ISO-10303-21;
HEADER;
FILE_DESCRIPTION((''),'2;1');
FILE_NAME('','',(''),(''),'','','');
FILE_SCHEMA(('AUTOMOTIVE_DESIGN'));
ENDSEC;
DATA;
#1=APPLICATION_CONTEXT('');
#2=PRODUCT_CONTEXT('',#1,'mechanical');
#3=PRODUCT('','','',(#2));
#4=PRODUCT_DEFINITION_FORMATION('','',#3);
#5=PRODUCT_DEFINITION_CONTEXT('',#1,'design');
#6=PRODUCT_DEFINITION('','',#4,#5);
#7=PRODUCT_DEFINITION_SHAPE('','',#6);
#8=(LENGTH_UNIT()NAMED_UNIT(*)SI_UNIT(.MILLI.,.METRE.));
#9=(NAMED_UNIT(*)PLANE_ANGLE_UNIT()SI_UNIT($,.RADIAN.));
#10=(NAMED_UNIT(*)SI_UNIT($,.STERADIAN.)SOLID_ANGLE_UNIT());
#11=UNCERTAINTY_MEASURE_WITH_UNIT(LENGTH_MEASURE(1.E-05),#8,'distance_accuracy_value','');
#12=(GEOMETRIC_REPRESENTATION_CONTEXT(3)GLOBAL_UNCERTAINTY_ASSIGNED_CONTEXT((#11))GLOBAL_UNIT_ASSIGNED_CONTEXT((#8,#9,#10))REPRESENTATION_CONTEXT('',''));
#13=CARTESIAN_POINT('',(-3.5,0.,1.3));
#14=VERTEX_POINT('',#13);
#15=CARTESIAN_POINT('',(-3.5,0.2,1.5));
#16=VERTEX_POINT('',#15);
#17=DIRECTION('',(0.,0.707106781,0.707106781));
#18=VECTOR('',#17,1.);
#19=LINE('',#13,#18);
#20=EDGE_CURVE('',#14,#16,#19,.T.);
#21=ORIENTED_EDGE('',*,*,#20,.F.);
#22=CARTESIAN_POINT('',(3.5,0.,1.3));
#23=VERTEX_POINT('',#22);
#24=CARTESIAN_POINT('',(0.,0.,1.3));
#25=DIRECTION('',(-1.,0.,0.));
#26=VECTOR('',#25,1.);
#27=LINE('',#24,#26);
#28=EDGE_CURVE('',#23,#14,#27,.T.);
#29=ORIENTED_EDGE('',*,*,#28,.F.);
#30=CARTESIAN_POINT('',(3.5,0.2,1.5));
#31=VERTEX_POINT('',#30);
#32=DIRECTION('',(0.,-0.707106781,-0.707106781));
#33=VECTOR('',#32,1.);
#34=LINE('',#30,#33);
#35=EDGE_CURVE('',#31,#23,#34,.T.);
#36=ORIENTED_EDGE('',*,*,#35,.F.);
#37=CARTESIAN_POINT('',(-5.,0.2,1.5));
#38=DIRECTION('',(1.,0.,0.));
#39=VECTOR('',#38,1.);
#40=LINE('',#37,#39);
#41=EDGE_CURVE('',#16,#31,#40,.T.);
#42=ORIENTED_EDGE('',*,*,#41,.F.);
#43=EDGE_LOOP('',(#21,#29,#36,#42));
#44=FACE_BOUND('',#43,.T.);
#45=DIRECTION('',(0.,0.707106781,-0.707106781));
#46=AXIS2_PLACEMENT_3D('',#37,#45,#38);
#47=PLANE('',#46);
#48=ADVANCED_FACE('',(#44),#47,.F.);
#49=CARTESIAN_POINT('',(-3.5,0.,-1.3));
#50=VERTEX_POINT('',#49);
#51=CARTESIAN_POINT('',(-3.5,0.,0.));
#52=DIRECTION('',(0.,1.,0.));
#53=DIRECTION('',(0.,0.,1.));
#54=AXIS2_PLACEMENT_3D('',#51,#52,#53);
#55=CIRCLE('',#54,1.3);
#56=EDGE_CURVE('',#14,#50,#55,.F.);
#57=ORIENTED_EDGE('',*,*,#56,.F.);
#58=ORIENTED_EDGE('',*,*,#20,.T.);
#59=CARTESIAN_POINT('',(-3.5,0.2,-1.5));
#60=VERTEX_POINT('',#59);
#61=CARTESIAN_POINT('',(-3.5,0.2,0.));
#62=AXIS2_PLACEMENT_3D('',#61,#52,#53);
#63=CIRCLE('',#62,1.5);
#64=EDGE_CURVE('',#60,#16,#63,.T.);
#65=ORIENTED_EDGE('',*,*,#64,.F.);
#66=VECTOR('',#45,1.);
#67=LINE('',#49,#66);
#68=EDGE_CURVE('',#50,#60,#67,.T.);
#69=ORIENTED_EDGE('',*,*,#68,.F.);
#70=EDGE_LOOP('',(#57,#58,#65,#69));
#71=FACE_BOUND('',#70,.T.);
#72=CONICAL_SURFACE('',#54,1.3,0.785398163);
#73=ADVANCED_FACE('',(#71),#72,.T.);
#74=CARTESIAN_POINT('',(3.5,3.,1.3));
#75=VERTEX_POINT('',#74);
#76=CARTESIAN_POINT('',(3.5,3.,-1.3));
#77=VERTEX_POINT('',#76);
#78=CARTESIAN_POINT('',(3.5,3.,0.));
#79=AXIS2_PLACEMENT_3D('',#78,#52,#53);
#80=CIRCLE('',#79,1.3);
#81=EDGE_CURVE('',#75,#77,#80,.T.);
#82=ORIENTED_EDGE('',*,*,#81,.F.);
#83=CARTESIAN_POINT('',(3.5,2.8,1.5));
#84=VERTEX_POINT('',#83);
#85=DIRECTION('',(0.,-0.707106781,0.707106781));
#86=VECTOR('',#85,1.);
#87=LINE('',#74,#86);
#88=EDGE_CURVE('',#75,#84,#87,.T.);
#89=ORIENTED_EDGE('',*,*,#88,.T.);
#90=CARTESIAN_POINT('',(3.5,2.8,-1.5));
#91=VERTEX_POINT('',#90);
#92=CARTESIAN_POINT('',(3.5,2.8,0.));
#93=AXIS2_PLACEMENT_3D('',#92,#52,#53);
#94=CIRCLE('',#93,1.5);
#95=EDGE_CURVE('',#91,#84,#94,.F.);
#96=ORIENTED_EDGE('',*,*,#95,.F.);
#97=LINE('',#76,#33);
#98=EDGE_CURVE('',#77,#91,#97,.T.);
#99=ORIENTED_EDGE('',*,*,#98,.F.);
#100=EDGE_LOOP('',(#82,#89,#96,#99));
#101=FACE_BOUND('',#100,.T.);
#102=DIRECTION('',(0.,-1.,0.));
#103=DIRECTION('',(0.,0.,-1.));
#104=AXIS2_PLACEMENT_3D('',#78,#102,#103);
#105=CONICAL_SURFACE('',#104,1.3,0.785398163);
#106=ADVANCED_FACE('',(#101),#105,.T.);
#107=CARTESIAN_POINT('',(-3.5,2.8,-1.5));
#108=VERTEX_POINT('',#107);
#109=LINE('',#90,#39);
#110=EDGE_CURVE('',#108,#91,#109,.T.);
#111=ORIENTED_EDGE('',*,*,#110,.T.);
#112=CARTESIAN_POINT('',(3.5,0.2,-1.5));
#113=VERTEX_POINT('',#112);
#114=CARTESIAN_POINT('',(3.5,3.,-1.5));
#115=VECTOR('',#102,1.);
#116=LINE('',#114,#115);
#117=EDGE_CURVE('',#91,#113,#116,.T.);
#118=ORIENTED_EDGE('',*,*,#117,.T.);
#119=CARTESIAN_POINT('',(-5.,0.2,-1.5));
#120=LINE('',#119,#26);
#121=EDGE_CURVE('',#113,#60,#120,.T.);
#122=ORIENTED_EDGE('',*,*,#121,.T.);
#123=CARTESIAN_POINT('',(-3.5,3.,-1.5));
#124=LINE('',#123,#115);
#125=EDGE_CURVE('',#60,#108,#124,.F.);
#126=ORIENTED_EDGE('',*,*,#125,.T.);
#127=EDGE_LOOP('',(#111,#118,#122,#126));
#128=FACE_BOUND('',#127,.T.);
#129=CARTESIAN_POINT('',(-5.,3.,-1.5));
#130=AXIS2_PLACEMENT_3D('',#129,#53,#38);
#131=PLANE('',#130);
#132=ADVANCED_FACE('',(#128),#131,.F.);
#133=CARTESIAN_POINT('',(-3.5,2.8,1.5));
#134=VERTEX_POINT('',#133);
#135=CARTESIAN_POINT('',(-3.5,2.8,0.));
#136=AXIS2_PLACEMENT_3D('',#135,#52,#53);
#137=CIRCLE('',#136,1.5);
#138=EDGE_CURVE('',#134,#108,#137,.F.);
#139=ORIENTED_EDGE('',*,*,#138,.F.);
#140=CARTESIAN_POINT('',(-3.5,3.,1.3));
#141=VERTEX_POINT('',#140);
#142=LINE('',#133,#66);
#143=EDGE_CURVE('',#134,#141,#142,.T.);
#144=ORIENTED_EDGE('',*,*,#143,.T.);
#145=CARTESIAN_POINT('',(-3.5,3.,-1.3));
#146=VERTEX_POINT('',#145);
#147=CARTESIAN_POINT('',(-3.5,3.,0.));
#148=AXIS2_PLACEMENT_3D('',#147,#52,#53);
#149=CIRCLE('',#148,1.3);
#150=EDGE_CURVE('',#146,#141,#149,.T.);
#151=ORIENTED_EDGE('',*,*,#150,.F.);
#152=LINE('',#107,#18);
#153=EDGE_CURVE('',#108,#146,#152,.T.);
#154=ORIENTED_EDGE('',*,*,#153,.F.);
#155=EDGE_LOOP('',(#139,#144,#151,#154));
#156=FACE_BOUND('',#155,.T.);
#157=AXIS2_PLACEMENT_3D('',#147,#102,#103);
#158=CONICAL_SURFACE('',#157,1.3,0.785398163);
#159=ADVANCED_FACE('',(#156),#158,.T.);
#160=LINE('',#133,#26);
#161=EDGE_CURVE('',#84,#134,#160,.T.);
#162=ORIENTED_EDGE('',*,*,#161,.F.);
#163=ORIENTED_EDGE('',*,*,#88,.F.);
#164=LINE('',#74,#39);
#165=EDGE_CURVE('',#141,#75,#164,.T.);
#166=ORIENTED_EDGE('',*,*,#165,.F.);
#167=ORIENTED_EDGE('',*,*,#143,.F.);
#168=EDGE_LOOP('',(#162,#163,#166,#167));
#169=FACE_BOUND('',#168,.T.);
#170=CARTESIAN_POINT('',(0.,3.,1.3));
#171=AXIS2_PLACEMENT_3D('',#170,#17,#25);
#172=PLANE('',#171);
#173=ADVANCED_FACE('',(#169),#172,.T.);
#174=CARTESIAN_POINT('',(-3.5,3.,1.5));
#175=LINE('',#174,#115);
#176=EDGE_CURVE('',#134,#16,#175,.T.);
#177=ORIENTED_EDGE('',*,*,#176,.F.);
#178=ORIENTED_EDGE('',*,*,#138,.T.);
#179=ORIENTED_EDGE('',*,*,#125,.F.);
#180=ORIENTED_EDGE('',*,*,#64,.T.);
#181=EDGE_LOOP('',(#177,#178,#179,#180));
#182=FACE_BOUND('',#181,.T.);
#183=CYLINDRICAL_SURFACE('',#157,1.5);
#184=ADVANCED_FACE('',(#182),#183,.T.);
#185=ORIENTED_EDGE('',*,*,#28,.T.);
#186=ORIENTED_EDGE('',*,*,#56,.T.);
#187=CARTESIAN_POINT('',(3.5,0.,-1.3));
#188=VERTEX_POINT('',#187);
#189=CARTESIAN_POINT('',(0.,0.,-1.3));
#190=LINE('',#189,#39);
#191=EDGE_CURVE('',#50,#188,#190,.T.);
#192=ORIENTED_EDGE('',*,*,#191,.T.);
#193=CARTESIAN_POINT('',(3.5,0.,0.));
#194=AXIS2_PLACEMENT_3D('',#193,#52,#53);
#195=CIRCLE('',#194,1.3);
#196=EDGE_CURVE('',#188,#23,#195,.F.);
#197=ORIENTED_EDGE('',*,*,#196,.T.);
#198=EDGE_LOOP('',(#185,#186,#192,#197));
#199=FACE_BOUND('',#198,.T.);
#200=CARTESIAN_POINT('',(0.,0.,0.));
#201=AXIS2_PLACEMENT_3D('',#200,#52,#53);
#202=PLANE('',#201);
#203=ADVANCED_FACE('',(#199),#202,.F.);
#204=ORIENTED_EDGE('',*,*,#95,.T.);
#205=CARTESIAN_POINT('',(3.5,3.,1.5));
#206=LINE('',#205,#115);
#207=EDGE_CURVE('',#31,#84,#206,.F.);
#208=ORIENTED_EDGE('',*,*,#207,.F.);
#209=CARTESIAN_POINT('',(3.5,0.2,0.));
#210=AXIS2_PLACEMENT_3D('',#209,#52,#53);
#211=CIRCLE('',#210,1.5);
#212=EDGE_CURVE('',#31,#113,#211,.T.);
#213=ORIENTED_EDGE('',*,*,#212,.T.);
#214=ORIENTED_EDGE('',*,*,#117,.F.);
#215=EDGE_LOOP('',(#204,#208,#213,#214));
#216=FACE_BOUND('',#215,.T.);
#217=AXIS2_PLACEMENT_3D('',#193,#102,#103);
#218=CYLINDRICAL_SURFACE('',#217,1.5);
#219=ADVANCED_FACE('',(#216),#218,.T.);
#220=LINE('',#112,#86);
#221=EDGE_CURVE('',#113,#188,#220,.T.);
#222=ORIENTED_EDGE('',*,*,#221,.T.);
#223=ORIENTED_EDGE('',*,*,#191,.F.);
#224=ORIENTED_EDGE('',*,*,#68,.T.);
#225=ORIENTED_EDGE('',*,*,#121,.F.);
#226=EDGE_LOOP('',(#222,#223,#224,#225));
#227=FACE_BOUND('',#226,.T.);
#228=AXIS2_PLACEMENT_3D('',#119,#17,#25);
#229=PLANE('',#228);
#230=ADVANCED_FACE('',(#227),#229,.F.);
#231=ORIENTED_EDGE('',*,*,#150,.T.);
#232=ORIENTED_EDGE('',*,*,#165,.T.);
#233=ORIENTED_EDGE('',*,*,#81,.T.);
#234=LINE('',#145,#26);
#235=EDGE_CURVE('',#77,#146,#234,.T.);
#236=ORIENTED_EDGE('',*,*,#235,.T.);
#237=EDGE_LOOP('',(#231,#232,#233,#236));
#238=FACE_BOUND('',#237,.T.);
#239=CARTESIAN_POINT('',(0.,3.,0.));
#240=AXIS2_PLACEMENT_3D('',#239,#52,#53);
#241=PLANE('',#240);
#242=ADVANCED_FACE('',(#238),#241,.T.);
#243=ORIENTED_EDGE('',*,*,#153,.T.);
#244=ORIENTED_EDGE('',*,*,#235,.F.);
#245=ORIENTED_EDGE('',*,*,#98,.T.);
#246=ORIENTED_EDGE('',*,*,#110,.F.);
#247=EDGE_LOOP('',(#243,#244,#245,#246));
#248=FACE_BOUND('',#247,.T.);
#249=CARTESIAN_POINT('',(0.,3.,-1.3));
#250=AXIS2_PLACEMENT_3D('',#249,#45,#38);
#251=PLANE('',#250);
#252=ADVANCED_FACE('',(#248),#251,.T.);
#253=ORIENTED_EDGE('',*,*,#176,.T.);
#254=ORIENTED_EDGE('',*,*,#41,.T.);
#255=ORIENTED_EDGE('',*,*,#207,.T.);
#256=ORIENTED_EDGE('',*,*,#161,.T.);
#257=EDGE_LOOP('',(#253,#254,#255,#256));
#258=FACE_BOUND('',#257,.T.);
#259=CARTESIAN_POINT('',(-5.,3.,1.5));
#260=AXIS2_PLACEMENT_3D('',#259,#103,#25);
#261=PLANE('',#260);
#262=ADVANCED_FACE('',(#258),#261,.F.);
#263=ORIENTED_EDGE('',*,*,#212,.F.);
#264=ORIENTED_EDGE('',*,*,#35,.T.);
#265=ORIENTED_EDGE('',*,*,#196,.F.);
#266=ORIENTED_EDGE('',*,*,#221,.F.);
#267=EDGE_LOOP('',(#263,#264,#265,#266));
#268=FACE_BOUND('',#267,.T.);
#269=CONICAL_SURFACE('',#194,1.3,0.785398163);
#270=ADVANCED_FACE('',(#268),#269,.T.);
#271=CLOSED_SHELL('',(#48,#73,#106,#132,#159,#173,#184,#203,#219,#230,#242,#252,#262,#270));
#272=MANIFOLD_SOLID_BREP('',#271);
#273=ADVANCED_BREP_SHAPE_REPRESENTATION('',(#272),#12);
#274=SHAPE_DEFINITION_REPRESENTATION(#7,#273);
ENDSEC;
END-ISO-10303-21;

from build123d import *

# Parameters (mm, degrees)
SKETCH1_W           = 10
SKETCH1_H           = 3
BOSS_EXTRUDE1_DEPTH = 3
FILLET1_RADIUS      = 1.5
FILLET1_LENGTH      = 3
FILLET2_RADIUS      = 1.5
FILLET2_LENGTH      = 3
CHAMFER2_SIZE       = 0.2


with BuildPart() as part:
    # Sketch1 → Boss-Extrude1 (new body)
    with BuildSketch(Plane(origin=(0, 0, 0), x_dir=(1, 0, 0), z_dir=(0, 1, 0))):
        Rectangle(SKETCH1_W, SKETCH1_H)
    extrude(amount=BOSS_EXTRUDE1_DEPTH)

    # Fillet1: full round fillet: the end face becomes a half cylinder, R = half its width
    fillet1_face = Plane((-5, 1.5, 0), x_dir=(0, -1, 0), z_dir=(-1, 0, 0))  # on the end face: x along it, z out of the body
    fillet1_slab = fillet1_face.offset(-FILLET1_RADIUS / 2) * Box(FILLET1_LENGTH, 2 * FILLET1_RADIUS, FILLET1_RADIUS, mode=Mode.PRIVATE)  # the body's end, R deep
    fillet1_round = Plane((-3.5, 1.5, 0), x_dir=(-1, 0, 0), z_dir=(0, -1, 0)) * Cylinder(FILLET1_RADIUS, FILLET1_LENGTH, mode=Mode.PRIVATE)  # its axis R under the face
    add(fillet1_slab - fillet1_round, mode=Mode.SUBTRACT)

    # Fillet2: full round fillet: the end face becomes a half cylinder, R = half its width
    fillet2_face = Plane((5, 1.5, 0), x_dir=(0, 1, 0), z_dir=(1, 0, 0))  # on the end face: x along it, z out of the body
    fillet2_slab = fillet2_face.offset(-FILLET2_RADIUS / 2) * Box(FILLET2_LENGTH, 2 * FILLET2_RADIUS, FILLET2_RADIUS, mode=Mode.PRIVATE)  # the body's end, R deep
    fillet2_round = Plane((3.5, 1.5, 0), x_dir=(1, 0, 0), z_dir=(0, 1, 0)) * Cylinder(FILLET2_RADIUS, FILLET2_LENGTH, mode=Mode.PRIVATE)  # its axis R under the face
    add(fillet2_slab - fillet2_round, mode=Mode.SUBTRACT)

    # Chamfer2
    chamfer2_edges = [part.edges().sort_by_distance(p)[0] for p in [
        (0, 0, 1.5),
        (0, 3, 1.5),
        (-5, 3, 0),
        (-5, 0, 0),
        (0, 0, -1.5),
        (0, 3, -1.5),
        (5, 0, 0),
        (5, 3, 0),
    ]]
    chamfer(chamfer2_edges, length=CHAMFER2_SIZE)


solid = part.part
